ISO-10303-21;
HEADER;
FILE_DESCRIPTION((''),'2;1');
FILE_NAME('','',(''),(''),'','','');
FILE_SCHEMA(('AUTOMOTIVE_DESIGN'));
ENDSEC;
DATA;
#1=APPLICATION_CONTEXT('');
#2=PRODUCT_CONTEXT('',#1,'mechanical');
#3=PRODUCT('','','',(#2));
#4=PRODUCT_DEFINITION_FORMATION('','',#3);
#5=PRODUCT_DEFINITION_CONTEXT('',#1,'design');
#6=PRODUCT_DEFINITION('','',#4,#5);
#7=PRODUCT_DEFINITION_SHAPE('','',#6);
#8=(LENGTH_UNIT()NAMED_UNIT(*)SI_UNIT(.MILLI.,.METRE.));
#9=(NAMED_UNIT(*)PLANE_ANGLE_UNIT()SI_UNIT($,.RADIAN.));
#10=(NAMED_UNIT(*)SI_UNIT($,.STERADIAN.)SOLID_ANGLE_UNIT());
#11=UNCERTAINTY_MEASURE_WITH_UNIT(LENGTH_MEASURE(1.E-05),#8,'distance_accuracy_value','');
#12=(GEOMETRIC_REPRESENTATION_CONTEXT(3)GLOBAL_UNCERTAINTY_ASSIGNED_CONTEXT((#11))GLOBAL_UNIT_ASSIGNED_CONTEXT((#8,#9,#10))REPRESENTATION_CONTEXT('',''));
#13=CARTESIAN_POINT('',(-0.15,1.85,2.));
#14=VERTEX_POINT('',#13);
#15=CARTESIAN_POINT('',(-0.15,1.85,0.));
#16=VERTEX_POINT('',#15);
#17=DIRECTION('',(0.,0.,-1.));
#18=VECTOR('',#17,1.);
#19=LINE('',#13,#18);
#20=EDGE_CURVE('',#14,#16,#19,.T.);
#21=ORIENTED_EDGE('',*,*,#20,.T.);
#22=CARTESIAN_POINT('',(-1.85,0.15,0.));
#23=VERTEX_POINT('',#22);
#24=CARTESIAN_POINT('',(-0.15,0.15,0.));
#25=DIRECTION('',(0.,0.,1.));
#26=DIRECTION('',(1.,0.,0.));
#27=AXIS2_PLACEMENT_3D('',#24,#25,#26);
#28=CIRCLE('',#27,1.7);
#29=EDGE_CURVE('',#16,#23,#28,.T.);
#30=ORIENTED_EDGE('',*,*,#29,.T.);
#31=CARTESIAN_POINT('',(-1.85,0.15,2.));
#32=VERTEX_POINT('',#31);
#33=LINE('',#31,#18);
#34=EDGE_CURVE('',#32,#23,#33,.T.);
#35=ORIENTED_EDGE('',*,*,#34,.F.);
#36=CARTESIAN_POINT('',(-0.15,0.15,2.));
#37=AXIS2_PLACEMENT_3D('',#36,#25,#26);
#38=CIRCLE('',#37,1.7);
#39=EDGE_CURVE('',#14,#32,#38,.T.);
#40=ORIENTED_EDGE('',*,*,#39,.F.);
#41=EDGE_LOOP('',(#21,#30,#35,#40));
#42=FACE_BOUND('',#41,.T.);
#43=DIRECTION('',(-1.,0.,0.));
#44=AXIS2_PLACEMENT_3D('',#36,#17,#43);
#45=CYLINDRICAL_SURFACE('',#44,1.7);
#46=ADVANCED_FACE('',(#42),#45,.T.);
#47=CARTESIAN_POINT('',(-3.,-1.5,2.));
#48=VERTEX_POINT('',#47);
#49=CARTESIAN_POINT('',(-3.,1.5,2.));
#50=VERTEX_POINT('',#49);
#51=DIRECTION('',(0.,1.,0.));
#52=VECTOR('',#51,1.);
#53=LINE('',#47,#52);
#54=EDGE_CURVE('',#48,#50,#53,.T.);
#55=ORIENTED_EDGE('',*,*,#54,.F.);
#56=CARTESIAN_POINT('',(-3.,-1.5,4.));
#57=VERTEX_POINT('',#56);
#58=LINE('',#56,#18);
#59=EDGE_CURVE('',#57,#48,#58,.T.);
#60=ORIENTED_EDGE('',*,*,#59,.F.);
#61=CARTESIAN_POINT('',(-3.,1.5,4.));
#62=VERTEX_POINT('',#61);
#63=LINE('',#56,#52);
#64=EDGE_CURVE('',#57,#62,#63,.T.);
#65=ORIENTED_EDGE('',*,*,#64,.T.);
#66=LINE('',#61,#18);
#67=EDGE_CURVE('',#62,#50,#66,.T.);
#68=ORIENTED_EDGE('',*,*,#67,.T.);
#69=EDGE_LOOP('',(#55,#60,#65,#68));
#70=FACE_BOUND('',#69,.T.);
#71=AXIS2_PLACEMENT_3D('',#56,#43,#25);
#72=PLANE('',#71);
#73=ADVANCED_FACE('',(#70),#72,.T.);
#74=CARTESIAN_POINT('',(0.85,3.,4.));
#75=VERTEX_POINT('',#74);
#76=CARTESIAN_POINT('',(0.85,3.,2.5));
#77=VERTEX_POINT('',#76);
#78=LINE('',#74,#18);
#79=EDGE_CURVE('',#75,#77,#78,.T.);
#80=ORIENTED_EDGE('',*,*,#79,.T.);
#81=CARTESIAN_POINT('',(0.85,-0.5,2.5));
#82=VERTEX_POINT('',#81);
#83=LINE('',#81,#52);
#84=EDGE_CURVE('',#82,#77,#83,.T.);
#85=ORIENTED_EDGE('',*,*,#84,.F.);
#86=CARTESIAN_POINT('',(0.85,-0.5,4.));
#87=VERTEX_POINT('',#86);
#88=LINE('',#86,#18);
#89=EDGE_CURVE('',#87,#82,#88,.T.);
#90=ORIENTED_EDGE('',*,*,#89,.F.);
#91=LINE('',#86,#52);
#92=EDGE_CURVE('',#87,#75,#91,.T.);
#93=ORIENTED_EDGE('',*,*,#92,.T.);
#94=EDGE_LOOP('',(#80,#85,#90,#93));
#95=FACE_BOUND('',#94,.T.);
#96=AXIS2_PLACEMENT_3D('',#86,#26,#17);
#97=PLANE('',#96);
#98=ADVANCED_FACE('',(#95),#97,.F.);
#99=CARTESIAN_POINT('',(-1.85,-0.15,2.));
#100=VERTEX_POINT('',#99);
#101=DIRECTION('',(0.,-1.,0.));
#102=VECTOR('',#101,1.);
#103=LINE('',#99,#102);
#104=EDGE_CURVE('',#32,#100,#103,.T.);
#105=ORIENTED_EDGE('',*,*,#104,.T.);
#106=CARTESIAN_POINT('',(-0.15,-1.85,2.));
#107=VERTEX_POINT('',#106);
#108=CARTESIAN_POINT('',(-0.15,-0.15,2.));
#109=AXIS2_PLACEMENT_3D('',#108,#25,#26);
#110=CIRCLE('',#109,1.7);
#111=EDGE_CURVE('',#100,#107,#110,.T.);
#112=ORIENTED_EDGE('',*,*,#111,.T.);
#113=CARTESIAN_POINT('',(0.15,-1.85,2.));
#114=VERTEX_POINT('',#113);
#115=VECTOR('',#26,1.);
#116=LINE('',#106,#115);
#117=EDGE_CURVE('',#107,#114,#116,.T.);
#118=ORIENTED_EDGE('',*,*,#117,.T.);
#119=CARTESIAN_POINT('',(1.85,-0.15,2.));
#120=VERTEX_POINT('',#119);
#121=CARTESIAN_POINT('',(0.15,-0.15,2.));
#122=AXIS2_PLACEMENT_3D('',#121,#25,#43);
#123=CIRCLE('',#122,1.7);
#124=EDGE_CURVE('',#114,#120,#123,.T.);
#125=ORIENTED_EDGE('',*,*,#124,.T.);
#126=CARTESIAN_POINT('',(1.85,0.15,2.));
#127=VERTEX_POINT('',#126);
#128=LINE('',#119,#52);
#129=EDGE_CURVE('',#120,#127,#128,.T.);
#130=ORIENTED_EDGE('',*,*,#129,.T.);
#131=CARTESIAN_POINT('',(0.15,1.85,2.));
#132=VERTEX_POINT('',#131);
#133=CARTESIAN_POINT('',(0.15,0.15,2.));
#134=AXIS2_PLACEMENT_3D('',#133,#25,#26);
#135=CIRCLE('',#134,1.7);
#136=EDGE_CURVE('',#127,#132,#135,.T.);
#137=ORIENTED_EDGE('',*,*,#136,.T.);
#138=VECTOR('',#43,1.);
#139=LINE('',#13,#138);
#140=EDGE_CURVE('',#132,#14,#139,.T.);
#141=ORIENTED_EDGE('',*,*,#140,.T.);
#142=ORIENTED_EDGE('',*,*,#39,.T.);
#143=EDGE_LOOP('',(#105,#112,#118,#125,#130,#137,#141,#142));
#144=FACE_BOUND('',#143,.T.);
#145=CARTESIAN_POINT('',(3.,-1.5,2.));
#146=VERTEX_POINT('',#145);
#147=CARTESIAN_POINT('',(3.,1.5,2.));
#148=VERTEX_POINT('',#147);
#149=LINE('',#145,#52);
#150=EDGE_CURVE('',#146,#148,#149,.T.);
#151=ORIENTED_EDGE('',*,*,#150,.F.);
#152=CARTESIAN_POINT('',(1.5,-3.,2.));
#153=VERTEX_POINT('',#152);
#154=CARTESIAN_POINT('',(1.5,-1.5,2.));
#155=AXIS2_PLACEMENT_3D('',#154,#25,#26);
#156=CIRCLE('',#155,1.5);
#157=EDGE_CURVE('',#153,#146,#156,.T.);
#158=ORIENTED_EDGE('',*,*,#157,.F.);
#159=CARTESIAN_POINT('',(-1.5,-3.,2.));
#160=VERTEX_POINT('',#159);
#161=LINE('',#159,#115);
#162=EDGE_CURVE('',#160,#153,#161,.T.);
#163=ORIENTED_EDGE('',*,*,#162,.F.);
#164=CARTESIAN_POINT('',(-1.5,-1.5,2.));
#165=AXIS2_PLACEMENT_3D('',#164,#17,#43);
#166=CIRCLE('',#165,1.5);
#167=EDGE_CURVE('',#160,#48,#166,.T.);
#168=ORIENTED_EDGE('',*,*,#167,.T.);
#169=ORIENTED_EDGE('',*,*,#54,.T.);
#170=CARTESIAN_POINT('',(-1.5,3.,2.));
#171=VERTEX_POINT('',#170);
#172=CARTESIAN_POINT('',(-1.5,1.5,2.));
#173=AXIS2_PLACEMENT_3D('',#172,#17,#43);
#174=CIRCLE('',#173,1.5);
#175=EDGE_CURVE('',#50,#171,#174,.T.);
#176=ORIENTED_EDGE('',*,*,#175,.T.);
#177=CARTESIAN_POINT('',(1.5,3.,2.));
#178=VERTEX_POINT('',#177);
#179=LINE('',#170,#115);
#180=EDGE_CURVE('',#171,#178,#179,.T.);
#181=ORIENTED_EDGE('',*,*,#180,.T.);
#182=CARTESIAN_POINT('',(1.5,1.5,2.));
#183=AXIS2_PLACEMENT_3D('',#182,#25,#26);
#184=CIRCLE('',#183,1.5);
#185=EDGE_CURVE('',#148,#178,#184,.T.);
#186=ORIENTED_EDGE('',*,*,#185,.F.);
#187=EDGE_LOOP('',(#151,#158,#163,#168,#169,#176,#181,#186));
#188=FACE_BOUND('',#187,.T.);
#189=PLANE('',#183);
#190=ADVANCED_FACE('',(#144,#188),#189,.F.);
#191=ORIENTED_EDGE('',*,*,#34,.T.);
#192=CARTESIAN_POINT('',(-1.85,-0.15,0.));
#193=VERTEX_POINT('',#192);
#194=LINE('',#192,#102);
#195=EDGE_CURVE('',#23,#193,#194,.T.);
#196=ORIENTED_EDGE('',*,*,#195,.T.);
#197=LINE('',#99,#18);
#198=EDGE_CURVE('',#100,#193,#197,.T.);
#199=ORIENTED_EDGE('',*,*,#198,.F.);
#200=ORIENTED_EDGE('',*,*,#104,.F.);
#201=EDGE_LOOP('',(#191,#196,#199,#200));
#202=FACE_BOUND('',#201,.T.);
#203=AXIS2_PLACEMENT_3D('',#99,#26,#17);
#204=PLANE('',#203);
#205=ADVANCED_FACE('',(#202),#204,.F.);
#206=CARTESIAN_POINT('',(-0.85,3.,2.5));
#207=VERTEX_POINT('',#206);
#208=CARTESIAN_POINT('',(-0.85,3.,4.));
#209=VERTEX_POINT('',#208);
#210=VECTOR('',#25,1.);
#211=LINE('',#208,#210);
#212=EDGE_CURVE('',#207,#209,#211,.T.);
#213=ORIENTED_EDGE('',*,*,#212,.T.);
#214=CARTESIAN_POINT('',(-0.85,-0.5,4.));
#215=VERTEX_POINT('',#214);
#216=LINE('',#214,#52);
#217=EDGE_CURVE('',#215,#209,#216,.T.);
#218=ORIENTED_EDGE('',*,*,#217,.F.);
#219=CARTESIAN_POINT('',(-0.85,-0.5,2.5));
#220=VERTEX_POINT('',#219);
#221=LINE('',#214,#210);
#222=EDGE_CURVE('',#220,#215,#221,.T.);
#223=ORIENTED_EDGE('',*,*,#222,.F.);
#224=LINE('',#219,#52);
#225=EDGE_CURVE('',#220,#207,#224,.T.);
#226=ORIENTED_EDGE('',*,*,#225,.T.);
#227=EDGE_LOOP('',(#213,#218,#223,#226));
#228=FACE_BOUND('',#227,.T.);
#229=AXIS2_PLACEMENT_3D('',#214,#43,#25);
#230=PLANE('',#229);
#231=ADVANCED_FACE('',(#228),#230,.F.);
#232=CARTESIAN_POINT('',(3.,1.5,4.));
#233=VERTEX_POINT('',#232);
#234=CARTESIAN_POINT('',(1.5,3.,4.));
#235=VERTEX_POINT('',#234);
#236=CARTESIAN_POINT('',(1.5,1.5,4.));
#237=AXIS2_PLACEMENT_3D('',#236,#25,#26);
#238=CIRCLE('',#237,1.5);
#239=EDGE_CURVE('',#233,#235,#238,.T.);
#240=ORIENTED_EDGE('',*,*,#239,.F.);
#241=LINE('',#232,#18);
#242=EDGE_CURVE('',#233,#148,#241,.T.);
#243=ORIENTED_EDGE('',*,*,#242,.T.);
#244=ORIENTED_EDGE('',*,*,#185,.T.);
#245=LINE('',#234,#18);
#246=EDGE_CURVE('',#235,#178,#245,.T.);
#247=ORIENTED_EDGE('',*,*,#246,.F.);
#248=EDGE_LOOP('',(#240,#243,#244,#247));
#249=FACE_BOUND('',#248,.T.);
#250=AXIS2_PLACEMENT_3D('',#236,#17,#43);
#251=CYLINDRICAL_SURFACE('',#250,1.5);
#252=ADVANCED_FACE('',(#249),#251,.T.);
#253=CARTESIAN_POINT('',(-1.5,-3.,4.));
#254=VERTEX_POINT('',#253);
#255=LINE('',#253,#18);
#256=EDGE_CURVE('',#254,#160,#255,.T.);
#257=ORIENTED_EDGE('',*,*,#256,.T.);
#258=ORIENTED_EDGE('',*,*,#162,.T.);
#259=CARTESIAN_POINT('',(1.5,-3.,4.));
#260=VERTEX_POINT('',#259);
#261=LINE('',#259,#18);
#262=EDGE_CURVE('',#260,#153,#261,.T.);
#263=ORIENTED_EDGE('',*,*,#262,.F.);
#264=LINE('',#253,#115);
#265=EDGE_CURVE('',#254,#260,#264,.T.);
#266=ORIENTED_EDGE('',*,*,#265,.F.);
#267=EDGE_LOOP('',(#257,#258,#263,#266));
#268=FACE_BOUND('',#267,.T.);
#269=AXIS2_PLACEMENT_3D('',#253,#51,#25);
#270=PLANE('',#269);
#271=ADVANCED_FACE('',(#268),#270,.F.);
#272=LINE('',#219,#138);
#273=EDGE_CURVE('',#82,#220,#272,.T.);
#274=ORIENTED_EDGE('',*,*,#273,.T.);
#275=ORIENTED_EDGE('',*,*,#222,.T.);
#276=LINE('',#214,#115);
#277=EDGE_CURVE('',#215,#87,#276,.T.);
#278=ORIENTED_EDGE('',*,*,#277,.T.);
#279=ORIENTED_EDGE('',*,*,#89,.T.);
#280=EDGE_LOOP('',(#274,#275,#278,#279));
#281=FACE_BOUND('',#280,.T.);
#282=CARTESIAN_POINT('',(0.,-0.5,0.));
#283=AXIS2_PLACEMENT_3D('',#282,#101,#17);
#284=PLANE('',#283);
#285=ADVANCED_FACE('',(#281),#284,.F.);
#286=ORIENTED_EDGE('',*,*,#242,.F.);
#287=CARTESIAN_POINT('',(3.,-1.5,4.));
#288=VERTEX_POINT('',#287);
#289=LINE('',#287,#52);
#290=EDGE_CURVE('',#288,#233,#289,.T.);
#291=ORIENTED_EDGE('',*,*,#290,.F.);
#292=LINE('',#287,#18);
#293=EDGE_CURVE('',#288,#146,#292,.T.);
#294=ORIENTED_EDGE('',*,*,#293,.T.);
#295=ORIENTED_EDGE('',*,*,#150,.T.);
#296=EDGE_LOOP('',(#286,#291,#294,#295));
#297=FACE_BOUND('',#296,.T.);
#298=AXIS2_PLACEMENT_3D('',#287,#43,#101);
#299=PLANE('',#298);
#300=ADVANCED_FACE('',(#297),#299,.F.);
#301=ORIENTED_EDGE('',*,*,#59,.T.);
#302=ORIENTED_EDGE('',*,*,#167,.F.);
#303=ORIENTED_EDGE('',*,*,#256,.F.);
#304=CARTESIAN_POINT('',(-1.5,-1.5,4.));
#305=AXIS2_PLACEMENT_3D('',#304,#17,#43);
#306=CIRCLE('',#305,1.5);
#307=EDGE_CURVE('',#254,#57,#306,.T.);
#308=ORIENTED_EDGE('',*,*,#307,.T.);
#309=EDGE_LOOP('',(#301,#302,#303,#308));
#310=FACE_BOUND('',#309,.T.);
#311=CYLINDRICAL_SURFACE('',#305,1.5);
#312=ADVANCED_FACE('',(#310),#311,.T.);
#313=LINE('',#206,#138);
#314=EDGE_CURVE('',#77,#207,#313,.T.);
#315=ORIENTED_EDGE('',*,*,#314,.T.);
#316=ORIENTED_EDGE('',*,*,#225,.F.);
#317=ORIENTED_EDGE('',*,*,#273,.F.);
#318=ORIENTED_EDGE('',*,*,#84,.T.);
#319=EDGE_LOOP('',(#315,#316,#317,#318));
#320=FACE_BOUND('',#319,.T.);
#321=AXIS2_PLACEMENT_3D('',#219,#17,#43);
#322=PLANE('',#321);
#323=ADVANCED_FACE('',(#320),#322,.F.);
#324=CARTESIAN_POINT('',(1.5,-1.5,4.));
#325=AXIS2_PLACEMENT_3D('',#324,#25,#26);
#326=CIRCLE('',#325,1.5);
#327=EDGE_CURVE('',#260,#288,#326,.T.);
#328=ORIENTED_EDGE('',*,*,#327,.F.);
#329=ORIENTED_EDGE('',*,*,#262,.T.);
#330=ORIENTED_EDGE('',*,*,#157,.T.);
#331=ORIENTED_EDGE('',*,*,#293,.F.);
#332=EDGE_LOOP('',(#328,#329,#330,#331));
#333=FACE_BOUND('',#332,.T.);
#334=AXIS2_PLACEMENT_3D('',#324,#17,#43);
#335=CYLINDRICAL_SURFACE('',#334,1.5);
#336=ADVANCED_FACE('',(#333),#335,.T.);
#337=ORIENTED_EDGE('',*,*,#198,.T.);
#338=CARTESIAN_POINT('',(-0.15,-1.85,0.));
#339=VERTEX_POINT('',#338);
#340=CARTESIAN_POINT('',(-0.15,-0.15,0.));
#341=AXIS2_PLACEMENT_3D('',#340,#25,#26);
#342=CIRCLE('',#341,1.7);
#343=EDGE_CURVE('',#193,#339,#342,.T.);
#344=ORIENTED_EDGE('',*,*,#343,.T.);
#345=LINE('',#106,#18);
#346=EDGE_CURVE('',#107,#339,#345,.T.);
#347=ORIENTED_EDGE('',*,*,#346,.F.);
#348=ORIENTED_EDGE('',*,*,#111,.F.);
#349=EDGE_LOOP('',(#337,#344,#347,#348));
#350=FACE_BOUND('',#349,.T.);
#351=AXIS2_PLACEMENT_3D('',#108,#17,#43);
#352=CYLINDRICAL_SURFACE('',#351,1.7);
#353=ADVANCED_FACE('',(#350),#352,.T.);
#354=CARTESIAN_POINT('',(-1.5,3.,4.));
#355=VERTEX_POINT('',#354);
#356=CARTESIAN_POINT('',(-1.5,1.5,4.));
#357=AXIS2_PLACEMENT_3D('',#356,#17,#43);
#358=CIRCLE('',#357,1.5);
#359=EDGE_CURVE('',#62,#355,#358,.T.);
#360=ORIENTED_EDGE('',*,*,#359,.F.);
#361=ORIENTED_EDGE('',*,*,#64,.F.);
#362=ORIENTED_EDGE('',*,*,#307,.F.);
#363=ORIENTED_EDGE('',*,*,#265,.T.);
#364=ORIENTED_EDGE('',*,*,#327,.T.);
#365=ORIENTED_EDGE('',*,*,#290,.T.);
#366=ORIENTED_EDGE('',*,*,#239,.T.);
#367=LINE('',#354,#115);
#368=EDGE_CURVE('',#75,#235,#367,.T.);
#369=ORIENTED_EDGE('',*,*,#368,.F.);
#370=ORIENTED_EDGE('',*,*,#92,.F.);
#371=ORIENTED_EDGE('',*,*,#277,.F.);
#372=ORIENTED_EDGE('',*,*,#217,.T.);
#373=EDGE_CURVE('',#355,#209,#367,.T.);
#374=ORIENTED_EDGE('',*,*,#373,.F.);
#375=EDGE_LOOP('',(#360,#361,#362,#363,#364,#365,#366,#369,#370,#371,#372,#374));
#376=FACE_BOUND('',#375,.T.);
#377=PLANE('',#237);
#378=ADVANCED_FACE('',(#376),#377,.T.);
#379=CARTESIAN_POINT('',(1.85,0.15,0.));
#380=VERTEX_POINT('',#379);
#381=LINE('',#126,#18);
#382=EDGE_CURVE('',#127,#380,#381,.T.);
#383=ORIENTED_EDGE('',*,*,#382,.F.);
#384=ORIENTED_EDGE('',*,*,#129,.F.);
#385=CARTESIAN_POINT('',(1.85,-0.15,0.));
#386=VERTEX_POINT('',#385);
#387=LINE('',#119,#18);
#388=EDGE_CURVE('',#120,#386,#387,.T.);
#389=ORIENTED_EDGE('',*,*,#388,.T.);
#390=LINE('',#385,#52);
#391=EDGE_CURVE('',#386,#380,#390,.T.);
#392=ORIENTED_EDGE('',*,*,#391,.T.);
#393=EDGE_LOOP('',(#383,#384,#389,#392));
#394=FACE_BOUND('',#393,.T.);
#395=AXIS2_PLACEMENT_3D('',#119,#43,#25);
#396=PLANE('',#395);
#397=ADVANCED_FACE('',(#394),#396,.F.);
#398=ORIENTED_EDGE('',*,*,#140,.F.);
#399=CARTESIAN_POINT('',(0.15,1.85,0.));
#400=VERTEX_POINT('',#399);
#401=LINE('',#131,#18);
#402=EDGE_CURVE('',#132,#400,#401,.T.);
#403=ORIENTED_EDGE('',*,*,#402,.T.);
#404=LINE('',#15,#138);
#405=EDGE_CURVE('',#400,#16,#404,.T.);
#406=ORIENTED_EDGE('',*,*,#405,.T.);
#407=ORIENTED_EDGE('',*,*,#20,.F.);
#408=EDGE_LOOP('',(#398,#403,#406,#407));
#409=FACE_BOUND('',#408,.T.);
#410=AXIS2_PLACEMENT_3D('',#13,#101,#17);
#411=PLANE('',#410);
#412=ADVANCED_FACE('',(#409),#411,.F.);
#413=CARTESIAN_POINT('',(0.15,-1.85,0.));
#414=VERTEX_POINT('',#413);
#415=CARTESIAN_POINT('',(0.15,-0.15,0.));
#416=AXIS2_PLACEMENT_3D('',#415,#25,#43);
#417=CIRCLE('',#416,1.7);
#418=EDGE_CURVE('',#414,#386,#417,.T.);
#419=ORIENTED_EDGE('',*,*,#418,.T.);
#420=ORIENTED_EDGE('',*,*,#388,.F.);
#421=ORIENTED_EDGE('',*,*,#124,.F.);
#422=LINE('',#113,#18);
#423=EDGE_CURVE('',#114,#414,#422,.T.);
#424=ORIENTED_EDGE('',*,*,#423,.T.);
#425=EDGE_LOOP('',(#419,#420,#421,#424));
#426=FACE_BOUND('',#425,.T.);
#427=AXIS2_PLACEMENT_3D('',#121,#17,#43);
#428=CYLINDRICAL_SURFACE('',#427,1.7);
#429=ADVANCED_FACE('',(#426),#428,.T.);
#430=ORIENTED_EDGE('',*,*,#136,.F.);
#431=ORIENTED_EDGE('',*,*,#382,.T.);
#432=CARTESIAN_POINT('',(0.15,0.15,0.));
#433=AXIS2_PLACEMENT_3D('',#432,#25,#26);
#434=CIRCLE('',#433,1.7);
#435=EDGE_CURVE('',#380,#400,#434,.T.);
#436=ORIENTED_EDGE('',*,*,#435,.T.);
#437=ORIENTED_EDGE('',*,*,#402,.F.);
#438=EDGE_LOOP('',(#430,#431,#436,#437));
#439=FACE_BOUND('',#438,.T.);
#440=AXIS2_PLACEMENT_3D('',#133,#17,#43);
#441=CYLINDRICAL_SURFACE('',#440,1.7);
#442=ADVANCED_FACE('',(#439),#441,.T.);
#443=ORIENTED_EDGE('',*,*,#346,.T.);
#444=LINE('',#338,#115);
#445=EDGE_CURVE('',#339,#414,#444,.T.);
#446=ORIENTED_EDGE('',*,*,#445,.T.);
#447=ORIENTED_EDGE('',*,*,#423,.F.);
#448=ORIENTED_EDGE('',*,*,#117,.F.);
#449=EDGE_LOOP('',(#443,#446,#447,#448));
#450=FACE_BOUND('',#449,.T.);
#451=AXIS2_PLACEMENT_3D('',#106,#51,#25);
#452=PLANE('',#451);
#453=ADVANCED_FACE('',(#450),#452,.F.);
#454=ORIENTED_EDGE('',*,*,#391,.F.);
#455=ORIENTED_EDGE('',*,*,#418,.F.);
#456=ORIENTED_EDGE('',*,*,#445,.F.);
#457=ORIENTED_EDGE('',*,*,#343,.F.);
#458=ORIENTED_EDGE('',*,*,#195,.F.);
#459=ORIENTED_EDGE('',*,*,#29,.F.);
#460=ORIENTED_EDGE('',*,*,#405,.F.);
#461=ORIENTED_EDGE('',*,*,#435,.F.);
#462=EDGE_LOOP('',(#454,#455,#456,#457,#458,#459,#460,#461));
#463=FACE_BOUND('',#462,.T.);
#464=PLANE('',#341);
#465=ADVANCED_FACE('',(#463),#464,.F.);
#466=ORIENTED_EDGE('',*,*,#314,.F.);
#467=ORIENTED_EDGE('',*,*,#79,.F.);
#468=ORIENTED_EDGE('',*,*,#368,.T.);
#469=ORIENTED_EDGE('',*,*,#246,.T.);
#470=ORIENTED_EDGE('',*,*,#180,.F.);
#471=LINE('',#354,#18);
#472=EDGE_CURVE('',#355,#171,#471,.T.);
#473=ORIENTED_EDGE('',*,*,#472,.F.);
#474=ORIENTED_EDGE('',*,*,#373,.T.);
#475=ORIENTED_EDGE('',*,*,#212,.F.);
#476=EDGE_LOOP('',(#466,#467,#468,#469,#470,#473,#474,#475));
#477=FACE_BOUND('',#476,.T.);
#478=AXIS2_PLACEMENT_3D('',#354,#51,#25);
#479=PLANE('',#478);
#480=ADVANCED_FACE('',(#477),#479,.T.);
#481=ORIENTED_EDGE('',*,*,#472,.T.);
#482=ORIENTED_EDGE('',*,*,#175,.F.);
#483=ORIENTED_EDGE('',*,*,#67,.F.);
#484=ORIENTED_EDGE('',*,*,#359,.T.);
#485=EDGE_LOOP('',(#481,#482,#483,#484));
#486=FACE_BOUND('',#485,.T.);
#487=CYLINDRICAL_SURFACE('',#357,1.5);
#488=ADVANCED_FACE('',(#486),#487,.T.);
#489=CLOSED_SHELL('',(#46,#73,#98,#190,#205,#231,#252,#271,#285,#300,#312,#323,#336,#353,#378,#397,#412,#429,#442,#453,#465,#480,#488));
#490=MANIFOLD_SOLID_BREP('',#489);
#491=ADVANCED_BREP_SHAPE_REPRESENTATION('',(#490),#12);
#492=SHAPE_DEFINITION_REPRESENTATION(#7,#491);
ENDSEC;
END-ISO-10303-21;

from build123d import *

# Parameters (mm, degrees)
EXTRUDE_1_DEPTH     = 2
EXTRUDE_2_DEPTH     = 2
SKETCH_4_W          = 1.7
SKETCH_4_H          = 1.5
CUT_EXTRUDE_1_DEPTH = 3.5


with BuildPart() as part:
    # Эскиз1 → Бобышка-Вытянуть1 (new body)
    with BuildSketch(Plane.XY):
        with BuildLine():
            Line((-0.15, -1.85), (0.15, -1.85))
            ThreePointArc((0.15, -1.85), (1.352081528, -1.352081528), (1.85, -0.15))
            Line((1.85, -0.15), (1.85, 0.15))
            ThreePointArc((1.85, 0.15), (1.352081528, 1.352081528), (0.15, 1.85))
            Line((0.15, 1.85), (-0.15, 1.85))
            ThreePointArc((-0.15, 1.85), (-1.352081528, 1.352081528), (-1.85, 0.15))
            Line((-1.85, 0.15), (-1.85, -0.15))
            ThreePointArc((-1.85, -0.15), (-1.352081528, -1.352081528), (-0.15, -1.85))
        make_face()
    extrude(amount=EXTRUDE_1_DEPTH)

    # Эскиз2 → Бобышка-Вытянуть2 (add)
    with BuildSketch(Plane.XY.offset(2)):
        with BuildLine():
            Line((-1.5, -3), (1.5, -3))
            ThreePointArc((1.5, -3), (2.560660172, -2.560660172), (3, -1.5))
            Line((3, -1.5), (3, 1.5))
            ThreePointArc((3, 1.5), (2.560660172, 2.560660172), (1.5, 3))
            Line((1.5, 3), (-1.5, 3))
            ThreePointArc((-1.5, 3), (-2.560660172, 2.560660172), (-3, 1.5))
            Line((-3, 1.5), (-3, -1.5))
            ThreePointArc((-3, -1.5), (-2.560660172, -2.560660172), (-1.5, -3))
        make_face()
    extrude(amount=EXTRUDE_2_DEPTH)

    # Эскиз4 → Вырез-Вытянуть1 (cut)
    with BuildSketch(Plane(origin=(0, 3, 0), x_dir=(1, 0, 0), z_dir=(0, 1, 0))):
        with Locations((0, -3.25)):
            Rectangle(SKETCH_4_W, SKETCH_4_H)
    extrude(amount=-CUT_EXTRUDE_1_DEPTH, mode=Mode.SUBTRACT)


solid = part.part
